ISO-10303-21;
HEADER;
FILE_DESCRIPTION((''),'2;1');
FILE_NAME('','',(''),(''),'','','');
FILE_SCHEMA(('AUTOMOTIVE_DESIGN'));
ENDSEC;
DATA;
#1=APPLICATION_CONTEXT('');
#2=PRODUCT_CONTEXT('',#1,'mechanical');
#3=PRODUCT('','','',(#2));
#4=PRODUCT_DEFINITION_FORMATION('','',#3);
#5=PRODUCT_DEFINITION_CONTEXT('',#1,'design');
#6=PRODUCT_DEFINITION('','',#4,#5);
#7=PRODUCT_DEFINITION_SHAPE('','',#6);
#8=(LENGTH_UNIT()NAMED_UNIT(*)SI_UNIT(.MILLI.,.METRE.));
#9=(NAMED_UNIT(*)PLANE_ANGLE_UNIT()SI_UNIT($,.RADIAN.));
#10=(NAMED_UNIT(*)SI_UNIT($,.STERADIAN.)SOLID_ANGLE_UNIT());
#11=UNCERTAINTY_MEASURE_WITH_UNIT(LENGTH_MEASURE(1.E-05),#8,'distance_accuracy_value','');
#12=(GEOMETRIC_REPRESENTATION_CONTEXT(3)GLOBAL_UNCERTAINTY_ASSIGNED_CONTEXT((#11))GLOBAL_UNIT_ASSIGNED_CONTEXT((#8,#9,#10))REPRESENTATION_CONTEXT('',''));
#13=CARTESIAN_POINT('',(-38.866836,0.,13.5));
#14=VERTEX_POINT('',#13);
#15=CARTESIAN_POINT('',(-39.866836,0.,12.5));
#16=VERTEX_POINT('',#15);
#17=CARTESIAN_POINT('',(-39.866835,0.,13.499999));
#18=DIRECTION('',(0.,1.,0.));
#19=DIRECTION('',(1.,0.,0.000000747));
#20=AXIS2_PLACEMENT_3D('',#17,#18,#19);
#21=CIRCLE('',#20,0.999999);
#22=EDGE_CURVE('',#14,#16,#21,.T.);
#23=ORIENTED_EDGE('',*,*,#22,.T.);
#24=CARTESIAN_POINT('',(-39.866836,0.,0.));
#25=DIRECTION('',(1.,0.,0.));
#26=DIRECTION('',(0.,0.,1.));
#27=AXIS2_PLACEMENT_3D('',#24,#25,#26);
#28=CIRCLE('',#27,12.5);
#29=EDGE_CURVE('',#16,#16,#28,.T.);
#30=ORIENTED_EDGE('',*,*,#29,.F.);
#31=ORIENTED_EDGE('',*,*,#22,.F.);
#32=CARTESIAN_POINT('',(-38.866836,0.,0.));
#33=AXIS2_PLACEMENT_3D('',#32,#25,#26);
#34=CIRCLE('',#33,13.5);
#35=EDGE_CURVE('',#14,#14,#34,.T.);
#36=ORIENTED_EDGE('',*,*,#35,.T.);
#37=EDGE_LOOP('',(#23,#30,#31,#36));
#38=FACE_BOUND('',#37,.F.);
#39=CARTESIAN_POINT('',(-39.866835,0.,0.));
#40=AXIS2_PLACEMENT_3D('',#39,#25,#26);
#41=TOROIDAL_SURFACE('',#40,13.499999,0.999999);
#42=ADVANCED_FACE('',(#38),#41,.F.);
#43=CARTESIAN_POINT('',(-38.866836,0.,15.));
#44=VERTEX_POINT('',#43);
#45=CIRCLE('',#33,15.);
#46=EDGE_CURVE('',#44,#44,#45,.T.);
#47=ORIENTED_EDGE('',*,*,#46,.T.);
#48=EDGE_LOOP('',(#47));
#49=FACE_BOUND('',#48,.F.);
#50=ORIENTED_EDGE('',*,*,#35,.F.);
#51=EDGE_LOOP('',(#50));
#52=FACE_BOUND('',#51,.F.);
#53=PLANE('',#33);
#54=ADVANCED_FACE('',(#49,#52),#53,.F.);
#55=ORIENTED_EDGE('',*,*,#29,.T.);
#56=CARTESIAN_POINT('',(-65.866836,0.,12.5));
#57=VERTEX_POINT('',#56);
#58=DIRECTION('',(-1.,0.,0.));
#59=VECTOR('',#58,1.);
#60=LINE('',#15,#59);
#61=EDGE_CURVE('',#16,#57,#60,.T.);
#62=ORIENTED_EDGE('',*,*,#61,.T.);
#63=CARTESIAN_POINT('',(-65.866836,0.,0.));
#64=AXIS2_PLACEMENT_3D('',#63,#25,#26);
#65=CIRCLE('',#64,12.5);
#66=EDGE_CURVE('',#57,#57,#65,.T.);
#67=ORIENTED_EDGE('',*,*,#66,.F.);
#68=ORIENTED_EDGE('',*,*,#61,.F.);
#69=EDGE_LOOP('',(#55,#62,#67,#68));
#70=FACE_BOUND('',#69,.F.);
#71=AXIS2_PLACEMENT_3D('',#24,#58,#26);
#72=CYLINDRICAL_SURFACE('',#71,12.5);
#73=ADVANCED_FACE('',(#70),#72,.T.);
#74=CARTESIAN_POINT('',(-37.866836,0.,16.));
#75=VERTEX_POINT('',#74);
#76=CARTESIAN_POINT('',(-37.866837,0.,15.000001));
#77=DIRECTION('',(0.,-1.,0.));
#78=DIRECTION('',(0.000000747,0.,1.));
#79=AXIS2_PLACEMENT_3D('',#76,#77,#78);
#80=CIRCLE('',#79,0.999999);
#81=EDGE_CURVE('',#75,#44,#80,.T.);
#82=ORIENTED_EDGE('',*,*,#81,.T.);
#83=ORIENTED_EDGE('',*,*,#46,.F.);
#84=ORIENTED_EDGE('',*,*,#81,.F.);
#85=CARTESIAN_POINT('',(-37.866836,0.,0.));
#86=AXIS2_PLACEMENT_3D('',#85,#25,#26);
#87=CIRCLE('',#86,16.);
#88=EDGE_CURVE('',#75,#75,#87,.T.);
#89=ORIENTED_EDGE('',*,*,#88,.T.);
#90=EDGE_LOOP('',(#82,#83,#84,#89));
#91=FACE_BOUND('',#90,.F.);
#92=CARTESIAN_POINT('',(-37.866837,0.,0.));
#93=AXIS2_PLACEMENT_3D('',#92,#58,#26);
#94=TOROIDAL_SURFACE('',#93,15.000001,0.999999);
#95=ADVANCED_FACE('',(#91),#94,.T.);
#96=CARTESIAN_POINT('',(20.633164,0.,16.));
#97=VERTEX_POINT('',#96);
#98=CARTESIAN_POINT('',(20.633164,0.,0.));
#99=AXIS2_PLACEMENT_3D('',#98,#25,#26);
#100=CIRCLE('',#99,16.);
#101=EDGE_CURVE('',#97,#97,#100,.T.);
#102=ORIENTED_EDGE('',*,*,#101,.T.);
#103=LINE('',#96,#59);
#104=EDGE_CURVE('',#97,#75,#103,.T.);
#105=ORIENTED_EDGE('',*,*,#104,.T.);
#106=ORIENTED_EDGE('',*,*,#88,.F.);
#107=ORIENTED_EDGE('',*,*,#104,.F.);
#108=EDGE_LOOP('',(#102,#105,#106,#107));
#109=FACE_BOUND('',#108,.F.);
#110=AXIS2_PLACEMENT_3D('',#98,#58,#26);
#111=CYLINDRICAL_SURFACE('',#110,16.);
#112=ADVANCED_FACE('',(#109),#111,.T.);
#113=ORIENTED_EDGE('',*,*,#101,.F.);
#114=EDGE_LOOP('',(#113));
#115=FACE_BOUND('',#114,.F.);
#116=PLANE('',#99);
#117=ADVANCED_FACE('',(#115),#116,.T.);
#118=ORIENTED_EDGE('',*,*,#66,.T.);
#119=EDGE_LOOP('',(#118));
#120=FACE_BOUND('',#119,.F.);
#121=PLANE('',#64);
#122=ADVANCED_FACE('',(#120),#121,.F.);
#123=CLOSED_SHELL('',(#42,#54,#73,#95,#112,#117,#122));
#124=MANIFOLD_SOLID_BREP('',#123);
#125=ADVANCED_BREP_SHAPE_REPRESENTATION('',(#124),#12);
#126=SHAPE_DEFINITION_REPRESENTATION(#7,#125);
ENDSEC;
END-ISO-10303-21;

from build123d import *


with BuildPart() as f1:
    # F0 (on Front) → F1 (revolve)
    with BuildSketch(Plane.XZ):
        with BuildLine():
            ThreePointArc((-37.866836, 16), (-38.573943, 15.707107), (-38.866836, 15))
            Line((-38.866836, 15), (-38.866836, 13.5))
            ThreePointArc((-38.866836, 13.5), (-39.159729, 12.792893), (-39.866836, 12.5))
            Line((-39.866836, 12.5), (-65.866836, 12.5))
            Line((-65.866836, 12.5), (-65.866836, 0))
            Line((-65.866836, 0), (20.633164, 0))
            Line((20.633164, 0), (20.633164, 16))
            Line((20.633164, 16), (-37.866836, 16))
        make_face()
    revolve(axis=Axis((-22.616836, 0, 0), (1, 0, 0)))


solid = f1.part
